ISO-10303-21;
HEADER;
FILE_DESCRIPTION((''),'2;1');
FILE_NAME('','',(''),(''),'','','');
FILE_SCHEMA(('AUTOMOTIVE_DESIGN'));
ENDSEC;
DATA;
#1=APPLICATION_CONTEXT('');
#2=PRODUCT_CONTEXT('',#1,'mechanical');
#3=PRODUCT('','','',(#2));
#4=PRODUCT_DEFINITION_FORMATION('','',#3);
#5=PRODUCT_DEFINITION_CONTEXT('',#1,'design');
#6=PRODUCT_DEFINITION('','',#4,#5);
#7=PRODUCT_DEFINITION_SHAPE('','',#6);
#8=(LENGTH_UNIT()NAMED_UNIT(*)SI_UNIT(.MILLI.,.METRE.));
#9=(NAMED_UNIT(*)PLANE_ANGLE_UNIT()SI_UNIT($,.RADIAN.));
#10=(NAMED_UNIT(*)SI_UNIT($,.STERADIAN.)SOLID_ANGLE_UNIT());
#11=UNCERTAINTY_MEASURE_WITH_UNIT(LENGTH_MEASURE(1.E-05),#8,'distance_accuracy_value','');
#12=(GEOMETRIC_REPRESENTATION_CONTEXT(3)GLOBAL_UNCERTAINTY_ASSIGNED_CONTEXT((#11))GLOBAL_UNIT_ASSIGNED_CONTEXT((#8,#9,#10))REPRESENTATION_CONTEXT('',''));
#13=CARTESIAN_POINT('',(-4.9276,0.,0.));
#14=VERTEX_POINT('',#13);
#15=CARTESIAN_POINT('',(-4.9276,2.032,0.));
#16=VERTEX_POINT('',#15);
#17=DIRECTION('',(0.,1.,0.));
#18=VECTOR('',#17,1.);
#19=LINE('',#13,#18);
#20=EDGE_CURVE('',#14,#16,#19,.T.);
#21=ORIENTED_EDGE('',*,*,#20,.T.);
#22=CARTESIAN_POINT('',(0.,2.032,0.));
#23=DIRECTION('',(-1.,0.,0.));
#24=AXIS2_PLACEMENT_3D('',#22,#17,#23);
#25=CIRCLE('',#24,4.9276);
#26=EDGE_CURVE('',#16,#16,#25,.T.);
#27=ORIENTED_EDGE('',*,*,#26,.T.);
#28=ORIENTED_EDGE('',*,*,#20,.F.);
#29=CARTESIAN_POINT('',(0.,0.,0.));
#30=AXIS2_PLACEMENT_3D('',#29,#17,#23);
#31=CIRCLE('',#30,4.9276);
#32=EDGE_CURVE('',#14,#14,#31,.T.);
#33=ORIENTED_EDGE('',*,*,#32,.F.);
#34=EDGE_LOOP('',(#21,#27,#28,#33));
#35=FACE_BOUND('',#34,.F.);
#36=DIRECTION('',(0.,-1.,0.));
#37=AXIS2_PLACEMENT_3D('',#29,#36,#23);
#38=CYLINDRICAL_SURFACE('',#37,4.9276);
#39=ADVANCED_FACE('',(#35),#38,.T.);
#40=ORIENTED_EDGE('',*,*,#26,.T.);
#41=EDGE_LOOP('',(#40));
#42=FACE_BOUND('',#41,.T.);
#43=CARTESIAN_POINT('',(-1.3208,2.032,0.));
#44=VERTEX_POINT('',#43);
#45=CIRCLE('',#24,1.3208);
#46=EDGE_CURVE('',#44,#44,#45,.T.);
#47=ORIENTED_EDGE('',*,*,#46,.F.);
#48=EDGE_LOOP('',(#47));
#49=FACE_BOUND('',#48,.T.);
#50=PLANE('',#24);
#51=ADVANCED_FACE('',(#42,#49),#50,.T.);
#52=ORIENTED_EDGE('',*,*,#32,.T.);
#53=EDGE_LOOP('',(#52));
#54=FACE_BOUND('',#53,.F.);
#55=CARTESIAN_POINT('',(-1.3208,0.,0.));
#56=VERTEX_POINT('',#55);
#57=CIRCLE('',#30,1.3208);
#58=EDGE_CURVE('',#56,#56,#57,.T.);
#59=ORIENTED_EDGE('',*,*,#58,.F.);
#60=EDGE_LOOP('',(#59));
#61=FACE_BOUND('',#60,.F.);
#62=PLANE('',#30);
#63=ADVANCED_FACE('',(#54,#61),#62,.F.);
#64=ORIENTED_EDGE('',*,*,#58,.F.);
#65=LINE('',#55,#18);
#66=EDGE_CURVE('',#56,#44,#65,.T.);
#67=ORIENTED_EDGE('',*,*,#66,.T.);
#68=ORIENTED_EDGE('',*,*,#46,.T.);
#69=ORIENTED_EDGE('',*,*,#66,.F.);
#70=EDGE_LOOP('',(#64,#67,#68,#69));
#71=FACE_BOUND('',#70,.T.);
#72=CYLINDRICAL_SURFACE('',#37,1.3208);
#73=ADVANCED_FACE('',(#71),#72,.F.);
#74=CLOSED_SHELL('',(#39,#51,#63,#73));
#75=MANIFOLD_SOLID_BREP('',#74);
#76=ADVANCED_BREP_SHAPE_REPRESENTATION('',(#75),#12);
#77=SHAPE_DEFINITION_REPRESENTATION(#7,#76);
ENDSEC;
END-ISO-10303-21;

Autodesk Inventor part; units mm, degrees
ref_plane "YZ Plane" through (0, 0, 0) normal (1, 0, 0) x (0, 1, 0)
ref_plane "XZ Plane" through (0, 0, 0) normal (0, 1, 0) x (-1, 0, 0)
ref_plane "XY Plane" through (0, 0, 0) normal (0, 0, 1) x (1, 0, 0)
sketch "Sketch1" plane through (0, 0, 0) normal (0, 1, 0) x (-1, 0, 0)
  circle A0 centre (0, 0) radius 4.9276
  circle A1 centre (0, 0) radius 1.3208
  dimension "d0" = 9.8552
  dimension "d1" = 2.6416
extrude "Extrusion1" add sketch "Sketch1" along normal blind 2.032
properties part number "ArmSpacerMini"
